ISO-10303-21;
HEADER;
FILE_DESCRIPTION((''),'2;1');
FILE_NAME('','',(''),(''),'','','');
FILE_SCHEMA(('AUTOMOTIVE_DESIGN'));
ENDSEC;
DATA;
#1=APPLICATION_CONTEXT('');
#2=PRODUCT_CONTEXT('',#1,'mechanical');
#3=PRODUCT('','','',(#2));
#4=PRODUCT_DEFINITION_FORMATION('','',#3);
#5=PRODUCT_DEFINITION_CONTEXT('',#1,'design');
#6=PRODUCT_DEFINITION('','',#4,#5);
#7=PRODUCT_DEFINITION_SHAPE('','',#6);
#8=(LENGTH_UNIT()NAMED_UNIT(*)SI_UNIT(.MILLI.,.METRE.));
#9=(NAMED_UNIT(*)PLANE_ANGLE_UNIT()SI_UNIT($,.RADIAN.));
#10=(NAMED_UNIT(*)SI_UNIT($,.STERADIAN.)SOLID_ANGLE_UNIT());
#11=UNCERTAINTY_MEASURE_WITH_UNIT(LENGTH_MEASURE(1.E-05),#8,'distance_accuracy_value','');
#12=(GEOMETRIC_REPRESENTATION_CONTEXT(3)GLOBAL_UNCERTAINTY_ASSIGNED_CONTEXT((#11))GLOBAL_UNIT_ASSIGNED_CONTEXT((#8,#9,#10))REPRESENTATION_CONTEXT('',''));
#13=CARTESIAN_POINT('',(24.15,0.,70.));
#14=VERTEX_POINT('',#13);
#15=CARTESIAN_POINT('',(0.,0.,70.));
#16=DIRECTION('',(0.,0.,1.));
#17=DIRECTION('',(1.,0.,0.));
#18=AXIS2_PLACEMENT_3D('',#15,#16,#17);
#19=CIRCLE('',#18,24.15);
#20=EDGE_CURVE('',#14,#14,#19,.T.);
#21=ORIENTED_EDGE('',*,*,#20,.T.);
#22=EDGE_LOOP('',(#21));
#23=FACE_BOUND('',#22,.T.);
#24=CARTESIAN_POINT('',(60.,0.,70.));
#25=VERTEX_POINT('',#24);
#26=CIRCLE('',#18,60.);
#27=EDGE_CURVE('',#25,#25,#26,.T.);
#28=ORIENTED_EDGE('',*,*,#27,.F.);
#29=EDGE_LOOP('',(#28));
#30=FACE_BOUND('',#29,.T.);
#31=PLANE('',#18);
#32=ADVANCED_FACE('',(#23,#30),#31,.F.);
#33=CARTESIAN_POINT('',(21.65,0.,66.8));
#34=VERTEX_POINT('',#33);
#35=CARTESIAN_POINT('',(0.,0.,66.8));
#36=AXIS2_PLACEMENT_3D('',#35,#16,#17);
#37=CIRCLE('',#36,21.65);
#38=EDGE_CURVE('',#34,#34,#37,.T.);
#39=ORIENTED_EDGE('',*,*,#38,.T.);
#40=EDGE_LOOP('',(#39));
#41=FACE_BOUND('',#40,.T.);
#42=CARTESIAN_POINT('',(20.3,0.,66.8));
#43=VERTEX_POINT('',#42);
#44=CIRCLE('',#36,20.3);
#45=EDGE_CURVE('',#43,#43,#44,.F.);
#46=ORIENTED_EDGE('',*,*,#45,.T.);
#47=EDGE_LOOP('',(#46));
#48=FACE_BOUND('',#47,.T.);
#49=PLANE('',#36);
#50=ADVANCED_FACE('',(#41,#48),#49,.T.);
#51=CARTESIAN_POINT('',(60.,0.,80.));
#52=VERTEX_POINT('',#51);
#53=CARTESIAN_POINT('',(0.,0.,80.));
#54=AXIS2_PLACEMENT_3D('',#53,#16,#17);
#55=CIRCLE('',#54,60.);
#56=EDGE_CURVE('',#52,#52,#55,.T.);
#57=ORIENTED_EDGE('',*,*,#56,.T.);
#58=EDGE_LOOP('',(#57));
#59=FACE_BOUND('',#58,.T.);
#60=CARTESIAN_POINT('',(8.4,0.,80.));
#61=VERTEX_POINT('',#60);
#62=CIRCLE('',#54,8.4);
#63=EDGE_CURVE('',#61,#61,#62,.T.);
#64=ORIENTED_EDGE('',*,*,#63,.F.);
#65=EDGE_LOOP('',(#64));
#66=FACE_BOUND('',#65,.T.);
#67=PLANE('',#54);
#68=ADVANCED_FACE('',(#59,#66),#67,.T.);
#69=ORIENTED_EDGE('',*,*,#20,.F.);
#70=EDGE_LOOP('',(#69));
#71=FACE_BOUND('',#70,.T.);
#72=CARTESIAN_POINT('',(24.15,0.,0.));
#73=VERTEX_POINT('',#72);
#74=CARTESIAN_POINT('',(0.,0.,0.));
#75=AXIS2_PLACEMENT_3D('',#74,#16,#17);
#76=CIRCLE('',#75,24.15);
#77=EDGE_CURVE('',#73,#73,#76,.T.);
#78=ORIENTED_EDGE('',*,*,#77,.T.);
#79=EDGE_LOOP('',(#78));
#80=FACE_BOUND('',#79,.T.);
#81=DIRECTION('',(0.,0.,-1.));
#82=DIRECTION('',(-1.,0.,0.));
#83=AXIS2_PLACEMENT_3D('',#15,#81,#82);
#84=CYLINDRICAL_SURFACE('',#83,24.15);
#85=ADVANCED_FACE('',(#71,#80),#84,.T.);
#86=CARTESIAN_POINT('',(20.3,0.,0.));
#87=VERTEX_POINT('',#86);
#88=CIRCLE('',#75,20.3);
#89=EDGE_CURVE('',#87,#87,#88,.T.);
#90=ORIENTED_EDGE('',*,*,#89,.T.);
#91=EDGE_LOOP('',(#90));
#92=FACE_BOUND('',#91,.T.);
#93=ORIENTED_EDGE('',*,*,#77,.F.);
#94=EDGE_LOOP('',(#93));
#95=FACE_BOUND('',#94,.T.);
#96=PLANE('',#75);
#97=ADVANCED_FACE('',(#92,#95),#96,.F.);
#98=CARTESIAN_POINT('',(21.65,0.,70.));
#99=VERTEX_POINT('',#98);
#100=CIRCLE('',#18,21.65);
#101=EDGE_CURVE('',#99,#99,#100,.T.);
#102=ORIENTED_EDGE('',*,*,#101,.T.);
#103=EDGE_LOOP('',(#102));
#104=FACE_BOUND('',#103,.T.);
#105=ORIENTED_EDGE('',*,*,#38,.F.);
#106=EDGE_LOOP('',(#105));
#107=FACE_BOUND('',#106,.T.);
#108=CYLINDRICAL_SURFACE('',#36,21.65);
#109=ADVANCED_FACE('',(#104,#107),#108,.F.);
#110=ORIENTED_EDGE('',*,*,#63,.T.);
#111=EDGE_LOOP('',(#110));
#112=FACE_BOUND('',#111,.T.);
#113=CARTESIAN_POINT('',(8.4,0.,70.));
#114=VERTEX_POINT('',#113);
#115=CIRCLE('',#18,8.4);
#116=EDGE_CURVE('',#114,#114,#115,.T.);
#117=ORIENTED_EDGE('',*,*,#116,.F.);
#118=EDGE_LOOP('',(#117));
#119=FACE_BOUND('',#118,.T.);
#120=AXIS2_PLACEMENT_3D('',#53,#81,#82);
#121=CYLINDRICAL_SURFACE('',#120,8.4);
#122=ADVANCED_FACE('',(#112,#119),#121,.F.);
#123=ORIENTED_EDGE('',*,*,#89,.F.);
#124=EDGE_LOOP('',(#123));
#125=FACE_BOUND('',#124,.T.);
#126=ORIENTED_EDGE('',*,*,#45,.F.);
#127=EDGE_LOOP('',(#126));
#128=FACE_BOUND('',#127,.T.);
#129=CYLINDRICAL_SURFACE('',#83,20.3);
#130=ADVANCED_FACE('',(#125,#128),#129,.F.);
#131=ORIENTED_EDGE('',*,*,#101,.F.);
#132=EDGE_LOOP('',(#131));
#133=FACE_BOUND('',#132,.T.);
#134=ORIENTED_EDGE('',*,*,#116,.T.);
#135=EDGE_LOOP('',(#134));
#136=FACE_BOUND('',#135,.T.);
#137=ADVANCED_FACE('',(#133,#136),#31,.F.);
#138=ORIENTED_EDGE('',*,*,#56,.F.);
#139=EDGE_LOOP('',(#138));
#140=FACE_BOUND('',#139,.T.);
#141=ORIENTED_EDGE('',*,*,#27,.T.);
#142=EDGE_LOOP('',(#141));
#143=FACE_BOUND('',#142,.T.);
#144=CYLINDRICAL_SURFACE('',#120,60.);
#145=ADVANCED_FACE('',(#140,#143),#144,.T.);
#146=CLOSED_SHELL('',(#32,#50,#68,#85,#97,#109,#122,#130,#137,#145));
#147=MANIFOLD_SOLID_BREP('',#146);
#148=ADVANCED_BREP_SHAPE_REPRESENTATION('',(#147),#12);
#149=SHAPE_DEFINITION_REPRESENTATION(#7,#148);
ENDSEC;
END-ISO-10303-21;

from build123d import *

# Parameters (mm, degrees)
SKETCH1_R           = 24.15
SKETCH1_R_2         = 20.3
BOSS_EXTRUDE1_DEPTH = 70
CUT_EXTRUDE1_START  = -3.2
SKETCH2_R           = 21.65
SKETCH2_R_2         = 20.3
CUT_EXTRUDE1_DEPTH  = 3.2
SKETCH3_R           = 60
SKETCH3_R_2         = 8.4
BOSS_EXTRUDE2_DEPTH = 10


with BuildPart() as part:
    # Sketch1 → Boss-Extrude1 (new body)
    with BuildSketch(Plane.XY):
        Circle(SKETCH1_R)
        Circle(SKETCH1_R_2, mode=Mode.SUBTRACT)
    extrude(amount=BOSS_EXTRUDE1_DEPTH)

    # Sketch2 → Cut-Extrude1 (cut)
    with BuildSketch(Plane.XY.offset(70).offset(CUT_EXTRUDE1_START)):
        Circle(SKETCH2_R)
        Circle(SKETCH2_R_2, mode=Mode.SUBTRACT)
    extrude(amount=CUT_EXTRUDE1_DEPTH, mode=Mode.SUBTRACT)

    # Sketch3 → Boss-Extrude2 (add)
    with BuildSketch(Plane.XY.offset(70)):
        Circle(SKETCH3_R)
        Circle(SKETCH3_R_2, mode=Mode.SUBTRACT)
    extrude(amount=BOSS_EXTRUDE2_DEPTH)


solid = part.part
